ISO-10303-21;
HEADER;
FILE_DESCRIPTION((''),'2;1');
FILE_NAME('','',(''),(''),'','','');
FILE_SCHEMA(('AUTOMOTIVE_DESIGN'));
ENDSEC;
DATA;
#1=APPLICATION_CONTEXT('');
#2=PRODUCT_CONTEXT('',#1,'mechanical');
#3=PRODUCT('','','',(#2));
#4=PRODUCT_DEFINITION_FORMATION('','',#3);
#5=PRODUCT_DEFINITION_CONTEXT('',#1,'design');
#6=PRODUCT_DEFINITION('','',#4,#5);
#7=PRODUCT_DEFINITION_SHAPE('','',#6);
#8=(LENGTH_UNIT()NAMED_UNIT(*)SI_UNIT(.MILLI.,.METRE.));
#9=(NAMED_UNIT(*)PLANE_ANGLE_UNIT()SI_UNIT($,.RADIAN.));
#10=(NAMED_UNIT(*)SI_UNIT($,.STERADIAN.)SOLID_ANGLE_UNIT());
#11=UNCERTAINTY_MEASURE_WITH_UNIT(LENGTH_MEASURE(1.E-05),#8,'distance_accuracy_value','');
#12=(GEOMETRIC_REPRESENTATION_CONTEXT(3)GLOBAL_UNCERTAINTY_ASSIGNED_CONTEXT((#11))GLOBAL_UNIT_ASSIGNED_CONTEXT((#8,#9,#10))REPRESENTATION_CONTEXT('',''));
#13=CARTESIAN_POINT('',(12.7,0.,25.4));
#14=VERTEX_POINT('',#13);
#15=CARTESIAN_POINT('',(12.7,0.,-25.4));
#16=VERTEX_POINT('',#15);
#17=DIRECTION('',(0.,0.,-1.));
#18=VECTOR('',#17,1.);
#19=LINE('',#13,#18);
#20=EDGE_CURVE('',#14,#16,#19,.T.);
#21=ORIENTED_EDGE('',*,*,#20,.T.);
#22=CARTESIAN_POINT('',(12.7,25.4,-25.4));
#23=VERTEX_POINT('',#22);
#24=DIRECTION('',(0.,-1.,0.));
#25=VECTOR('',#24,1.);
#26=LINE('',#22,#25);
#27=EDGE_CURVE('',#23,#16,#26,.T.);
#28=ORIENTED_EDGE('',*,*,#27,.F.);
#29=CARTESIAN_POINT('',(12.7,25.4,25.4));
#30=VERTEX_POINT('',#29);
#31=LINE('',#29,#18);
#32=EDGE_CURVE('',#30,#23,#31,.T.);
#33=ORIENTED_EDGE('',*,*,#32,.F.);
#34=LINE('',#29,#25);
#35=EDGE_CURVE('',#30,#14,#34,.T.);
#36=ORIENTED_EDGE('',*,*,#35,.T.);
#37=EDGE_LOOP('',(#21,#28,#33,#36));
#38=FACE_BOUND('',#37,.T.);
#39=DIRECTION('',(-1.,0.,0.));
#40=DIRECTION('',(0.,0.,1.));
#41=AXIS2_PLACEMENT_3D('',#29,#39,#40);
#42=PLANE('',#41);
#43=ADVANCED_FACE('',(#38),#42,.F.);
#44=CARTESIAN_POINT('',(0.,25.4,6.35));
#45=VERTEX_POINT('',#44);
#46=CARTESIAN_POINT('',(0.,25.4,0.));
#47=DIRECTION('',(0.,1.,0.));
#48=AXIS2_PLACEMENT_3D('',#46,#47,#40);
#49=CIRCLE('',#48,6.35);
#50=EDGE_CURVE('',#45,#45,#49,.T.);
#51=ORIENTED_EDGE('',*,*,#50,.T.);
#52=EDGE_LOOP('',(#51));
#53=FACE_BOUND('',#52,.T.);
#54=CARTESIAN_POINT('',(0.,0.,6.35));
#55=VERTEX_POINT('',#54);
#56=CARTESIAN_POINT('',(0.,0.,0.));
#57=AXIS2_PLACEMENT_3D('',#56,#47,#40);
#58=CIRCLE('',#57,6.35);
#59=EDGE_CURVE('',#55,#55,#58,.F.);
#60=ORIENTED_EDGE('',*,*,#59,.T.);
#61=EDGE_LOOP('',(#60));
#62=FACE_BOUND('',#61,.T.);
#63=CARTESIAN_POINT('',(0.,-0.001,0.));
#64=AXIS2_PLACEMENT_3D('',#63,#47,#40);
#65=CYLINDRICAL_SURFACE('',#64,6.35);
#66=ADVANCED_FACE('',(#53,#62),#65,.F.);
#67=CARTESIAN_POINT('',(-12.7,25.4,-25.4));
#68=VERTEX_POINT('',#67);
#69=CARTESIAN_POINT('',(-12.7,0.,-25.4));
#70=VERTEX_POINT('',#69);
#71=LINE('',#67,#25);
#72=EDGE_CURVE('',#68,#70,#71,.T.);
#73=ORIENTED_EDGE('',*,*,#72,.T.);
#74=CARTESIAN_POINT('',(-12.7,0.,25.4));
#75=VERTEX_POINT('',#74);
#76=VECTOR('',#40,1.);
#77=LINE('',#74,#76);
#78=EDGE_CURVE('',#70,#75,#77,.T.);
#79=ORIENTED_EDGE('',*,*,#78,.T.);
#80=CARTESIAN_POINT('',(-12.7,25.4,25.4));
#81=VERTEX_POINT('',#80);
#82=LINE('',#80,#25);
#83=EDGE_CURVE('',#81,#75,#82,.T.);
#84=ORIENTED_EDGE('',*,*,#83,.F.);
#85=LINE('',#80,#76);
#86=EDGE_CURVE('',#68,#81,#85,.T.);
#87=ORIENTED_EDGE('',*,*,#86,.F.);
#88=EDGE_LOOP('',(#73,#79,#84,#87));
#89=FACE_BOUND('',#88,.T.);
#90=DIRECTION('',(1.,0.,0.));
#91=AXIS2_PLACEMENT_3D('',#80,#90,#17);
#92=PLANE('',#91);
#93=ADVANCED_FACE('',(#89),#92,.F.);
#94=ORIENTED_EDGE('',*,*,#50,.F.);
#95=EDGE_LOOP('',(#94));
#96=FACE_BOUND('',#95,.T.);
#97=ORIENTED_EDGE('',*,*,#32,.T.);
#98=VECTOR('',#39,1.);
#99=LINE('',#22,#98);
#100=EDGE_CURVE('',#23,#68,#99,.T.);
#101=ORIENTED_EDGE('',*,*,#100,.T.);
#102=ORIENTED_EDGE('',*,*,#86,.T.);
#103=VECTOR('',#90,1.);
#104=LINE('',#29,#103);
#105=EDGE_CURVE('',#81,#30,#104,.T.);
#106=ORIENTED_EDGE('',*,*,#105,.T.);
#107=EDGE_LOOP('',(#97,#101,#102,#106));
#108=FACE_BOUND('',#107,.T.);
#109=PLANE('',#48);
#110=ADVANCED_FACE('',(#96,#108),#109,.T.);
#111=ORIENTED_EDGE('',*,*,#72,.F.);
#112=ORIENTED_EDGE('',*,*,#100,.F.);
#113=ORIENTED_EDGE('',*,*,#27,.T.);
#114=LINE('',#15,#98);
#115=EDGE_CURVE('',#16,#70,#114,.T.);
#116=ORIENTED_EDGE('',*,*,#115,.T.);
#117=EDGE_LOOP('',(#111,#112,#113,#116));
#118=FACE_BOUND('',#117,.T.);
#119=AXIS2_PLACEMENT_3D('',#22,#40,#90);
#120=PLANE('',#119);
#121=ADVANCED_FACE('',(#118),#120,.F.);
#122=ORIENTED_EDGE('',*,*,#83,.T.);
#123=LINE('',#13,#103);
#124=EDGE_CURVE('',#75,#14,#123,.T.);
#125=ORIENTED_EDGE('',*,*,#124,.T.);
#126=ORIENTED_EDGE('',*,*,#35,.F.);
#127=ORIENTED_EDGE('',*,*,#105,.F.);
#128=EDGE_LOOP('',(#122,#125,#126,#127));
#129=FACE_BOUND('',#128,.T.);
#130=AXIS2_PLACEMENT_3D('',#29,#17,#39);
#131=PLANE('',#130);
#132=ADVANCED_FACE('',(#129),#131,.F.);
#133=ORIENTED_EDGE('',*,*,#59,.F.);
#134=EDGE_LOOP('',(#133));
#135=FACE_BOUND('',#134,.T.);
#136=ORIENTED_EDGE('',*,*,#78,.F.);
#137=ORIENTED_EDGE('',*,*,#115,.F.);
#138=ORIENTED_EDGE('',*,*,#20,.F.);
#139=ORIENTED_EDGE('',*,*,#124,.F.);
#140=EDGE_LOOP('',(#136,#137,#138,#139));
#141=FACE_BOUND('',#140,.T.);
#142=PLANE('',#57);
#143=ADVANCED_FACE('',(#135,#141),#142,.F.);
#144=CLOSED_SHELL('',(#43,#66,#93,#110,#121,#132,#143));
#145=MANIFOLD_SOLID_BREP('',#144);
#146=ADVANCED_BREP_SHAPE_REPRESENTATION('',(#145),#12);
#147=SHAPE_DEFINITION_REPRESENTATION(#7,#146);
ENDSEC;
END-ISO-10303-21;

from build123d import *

# Parameters (mm, degrees)
SKETCH1_W           = 25.4
SKETCH1_H           = 50.8
BOSS_EXTRUDE1_DEPTH = 25.4
CUT_EXTRUDE1_REACH  = 27.4
SKETCH2_R           = 6.35


with BuildPart() as part:
    # Sketch1 → Boss-Extrude1 (new body)
    with BuildSketch(Plane(origin=(0, 0, 0), x_dir=(1, 0, 0), z_dir=(0, 1, 0))):
        Rectangle(SKETCH1_W, SKETCH1_H)
    extrude(amount=BOSS_EXTRUDE1_DEPTH)

    # Sketch2 → Cut-Extrude1 (cut, up to next)
    with BuildSketch(Plane(origin=(0, 25.4, 0), x_dir=(1, 0, 0), z_dir=(0, 1, 0)), mode=Mode.PRIVATE) as cut_extrude1_sk1:
        Circle(SKETCH2_R)
    cut_extrude1_tool1 = extrude(cut_extrude1_sk1.sketch, amount=-CUT_EXTRUDE1_REACH, mode=Mode.PRIVATE) & part.part
    add(cut_extrude1_tool1.solids().sort_by_distance((0, 25.4, 0))[0], mode=Mode.SUBTRACT)


solid = part.part
